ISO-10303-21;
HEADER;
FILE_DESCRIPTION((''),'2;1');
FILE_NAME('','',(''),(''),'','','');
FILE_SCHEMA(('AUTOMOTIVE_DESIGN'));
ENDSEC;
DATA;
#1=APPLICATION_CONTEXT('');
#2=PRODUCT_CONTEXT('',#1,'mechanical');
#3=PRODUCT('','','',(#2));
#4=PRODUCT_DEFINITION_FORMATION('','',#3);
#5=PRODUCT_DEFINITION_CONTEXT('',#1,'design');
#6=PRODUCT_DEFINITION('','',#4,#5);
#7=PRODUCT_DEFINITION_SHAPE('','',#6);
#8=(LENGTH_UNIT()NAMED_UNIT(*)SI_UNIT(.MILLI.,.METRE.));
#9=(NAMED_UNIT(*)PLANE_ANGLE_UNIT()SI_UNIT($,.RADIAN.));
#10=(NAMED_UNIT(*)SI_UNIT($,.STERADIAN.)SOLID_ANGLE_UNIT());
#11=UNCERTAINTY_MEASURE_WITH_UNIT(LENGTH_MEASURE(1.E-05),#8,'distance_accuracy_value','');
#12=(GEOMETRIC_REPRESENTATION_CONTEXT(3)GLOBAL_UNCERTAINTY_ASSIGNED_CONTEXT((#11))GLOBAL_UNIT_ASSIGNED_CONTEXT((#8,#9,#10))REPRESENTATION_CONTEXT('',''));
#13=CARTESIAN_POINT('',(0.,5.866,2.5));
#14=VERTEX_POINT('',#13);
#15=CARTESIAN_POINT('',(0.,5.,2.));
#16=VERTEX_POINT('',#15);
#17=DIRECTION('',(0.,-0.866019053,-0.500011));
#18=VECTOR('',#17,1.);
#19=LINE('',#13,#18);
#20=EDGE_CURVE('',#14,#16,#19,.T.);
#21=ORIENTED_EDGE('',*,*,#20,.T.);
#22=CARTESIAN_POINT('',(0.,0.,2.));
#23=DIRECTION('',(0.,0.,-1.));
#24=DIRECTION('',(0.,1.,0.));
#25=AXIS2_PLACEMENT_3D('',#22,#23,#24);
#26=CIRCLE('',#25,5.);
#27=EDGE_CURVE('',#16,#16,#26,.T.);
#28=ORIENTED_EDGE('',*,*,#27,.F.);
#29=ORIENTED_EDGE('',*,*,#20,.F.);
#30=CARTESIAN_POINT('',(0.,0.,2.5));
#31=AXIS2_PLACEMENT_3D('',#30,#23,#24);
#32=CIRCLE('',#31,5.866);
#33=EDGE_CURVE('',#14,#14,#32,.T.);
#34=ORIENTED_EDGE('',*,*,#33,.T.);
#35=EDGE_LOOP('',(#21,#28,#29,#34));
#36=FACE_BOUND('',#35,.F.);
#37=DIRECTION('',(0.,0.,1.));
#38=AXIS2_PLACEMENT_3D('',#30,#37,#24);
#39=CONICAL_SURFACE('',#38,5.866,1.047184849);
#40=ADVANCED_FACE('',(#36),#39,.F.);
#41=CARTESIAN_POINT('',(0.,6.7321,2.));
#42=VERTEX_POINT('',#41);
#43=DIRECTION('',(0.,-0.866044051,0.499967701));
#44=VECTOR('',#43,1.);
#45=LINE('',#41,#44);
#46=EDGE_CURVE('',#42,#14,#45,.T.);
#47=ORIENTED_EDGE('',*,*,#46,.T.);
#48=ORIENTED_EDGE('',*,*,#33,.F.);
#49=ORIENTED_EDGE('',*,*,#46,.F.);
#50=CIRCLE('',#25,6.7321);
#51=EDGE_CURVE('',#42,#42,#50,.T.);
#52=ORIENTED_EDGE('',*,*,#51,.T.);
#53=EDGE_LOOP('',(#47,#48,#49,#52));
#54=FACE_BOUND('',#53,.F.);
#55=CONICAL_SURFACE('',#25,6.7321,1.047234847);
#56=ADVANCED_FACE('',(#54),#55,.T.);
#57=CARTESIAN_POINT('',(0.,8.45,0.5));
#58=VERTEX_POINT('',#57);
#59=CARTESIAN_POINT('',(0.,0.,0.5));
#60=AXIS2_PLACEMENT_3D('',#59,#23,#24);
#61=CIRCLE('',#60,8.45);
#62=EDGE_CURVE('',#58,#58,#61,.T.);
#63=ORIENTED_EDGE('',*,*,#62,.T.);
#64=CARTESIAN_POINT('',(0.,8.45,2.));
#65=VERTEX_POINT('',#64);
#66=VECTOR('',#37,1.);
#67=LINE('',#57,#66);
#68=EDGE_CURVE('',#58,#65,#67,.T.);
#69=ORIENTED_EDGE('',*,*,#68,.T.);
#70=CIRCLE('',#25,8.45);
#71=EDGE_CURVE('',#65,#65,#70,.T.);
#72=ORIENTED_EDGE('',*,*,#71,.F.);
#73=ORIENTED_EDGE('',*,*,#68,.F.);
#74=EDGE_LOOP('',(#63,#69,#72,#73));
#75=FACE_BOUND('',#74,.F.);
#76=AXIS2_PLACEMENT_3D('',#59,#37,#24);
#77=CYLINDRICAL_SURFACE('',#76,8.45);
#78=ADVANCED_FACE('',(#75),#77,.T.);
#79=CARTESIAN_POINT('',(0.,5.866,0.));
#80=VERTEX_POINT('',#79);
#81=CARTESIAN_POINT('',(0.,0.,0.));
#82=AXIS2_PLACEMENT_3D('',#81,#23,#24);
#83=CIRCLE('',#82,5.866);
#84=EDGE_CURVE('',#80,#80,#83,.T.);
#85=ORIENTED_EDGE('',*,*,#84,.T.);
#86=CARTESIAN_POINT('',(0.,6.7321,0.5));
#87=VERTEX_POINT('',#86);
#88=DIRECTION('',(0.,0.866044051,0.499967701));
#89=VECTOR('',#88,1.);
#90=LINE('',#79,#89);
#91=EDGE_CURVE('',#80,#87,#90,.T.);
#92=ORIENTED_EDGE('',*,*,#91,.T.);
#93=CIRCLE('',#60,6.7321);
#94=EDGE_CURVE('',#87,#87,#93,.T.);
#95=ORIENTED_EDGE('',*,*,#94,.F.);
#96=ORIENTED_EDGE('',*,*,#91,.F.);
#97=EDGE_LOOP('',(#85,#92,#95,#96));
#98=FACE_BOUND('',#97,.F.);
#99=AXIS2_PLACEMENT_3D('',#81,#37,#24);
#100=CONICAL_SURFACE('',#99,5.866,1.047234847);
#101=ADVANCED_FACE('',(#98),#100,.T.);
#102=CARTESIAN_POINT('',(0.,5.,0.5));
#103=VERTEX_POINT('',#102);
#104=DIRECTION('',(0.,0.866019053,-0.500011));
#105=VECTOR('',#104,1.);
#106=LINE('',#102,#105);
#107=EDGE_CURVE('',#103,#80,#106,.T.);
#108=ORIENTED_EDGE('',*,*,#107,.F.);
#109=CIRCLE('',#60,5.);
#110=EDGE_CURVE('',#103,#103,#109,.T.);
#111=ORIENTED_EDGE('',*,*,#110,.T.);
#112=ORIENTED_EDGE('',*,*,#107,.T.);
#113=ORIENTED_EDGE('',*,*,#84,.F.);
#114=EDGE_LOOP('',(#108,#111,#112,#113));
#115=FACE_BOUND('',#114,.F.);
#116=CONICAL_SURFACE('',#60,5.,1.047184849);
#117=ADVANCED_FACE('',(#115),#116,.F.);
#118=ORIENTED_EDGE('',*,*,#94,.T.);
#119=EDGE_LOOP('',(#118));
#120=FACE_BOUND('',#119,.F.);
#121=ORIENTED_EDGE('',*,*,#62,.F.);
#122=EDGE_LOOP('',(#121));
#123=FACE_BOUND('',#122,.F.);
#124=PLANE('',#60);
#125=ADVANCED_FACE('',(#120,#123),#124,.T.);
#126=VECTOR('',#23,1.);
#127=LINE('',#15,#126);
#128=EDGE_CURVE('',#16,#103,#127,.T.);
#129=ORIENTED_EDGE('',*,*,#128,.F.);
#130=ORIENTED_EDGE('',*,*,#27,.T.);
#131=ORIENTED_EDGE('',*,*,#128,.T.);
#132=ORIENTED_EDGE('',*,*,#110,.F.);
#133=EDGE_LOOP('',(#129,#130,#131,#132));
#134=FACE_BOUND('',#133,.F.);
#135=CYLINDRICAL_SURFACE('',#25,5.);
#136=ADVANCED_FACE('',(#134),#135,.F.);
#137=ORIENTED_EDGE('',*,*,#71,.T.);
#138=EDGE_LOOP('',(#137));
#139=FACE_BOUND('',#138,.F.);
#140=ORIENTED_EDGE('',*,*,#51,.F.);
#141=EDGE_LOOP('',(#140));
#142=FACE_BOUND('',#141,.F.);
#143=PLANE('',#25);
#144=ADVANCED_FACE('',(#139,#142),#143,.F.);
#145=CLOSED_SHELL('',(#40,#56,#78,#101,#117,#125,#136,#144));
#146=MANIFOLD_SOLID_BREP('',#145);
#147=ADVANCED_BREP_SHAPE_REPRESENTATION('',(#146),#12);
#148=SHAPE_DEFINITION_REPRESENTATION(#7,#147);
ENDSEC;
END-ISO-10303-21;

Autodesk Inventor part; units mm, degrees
sketch "Sketch_1" plane through (0, 0, 0) normal (1, 0, 0) x (0, 1, 0)
  line L0 (0, 0) -> (0, 2.5)
  line L1 (5.866, 2.5) -> (5, 2)
  line L2 (5, 2) -> (5, 0.5)
  line L3 (5, 0.5) -> (5.866, 0)
  line L4 (5.866, 0) -> (6.7321, 0.5)
  line L5 (6.7321, 0.5) -> (8.45, 0.5)
  line L6 (8.45, 0.5) -> (8.45, 2)
  line L7 (8.45, 2) -> (6.7321, 2)
  line L8 (6.7321, 2) -> (5.866, 2.5)
revolve "Revolution1" add sketch "Sketch_1" angle 360 about axis through (0, 0, 0) along (0, 0, -1)
ref_plane "ANBAU1_XY" through (0, 0, 0) normal (0, 0, 1) x (1, 0, 0)
ref_plane "ANBAU1_YZ" through (0, 0, 0) normal (1, 0, 0) x (0, 1, 0)
ref_plane "ANBAU1_ZX" through (0, 0, 0) normal (0, 1, 0) x (0, 0, 1)
ref_plane "ANBAU2_XY" through (0, 0, 2.5) normal (0, 0, 1) x (1, 0, 0)
ref_plane "ANBAU2_YZ" through (0, 0, 2.5) normal (1, 0, 0) x (0, 1, 0)
ref_plane "ANBAU2_ZX" through (0, 0, 2.5) normal (0, 1, 0) x (0, 0, 1)
properties part number "1451339 M10-NBR-10x16.9x1.5"
